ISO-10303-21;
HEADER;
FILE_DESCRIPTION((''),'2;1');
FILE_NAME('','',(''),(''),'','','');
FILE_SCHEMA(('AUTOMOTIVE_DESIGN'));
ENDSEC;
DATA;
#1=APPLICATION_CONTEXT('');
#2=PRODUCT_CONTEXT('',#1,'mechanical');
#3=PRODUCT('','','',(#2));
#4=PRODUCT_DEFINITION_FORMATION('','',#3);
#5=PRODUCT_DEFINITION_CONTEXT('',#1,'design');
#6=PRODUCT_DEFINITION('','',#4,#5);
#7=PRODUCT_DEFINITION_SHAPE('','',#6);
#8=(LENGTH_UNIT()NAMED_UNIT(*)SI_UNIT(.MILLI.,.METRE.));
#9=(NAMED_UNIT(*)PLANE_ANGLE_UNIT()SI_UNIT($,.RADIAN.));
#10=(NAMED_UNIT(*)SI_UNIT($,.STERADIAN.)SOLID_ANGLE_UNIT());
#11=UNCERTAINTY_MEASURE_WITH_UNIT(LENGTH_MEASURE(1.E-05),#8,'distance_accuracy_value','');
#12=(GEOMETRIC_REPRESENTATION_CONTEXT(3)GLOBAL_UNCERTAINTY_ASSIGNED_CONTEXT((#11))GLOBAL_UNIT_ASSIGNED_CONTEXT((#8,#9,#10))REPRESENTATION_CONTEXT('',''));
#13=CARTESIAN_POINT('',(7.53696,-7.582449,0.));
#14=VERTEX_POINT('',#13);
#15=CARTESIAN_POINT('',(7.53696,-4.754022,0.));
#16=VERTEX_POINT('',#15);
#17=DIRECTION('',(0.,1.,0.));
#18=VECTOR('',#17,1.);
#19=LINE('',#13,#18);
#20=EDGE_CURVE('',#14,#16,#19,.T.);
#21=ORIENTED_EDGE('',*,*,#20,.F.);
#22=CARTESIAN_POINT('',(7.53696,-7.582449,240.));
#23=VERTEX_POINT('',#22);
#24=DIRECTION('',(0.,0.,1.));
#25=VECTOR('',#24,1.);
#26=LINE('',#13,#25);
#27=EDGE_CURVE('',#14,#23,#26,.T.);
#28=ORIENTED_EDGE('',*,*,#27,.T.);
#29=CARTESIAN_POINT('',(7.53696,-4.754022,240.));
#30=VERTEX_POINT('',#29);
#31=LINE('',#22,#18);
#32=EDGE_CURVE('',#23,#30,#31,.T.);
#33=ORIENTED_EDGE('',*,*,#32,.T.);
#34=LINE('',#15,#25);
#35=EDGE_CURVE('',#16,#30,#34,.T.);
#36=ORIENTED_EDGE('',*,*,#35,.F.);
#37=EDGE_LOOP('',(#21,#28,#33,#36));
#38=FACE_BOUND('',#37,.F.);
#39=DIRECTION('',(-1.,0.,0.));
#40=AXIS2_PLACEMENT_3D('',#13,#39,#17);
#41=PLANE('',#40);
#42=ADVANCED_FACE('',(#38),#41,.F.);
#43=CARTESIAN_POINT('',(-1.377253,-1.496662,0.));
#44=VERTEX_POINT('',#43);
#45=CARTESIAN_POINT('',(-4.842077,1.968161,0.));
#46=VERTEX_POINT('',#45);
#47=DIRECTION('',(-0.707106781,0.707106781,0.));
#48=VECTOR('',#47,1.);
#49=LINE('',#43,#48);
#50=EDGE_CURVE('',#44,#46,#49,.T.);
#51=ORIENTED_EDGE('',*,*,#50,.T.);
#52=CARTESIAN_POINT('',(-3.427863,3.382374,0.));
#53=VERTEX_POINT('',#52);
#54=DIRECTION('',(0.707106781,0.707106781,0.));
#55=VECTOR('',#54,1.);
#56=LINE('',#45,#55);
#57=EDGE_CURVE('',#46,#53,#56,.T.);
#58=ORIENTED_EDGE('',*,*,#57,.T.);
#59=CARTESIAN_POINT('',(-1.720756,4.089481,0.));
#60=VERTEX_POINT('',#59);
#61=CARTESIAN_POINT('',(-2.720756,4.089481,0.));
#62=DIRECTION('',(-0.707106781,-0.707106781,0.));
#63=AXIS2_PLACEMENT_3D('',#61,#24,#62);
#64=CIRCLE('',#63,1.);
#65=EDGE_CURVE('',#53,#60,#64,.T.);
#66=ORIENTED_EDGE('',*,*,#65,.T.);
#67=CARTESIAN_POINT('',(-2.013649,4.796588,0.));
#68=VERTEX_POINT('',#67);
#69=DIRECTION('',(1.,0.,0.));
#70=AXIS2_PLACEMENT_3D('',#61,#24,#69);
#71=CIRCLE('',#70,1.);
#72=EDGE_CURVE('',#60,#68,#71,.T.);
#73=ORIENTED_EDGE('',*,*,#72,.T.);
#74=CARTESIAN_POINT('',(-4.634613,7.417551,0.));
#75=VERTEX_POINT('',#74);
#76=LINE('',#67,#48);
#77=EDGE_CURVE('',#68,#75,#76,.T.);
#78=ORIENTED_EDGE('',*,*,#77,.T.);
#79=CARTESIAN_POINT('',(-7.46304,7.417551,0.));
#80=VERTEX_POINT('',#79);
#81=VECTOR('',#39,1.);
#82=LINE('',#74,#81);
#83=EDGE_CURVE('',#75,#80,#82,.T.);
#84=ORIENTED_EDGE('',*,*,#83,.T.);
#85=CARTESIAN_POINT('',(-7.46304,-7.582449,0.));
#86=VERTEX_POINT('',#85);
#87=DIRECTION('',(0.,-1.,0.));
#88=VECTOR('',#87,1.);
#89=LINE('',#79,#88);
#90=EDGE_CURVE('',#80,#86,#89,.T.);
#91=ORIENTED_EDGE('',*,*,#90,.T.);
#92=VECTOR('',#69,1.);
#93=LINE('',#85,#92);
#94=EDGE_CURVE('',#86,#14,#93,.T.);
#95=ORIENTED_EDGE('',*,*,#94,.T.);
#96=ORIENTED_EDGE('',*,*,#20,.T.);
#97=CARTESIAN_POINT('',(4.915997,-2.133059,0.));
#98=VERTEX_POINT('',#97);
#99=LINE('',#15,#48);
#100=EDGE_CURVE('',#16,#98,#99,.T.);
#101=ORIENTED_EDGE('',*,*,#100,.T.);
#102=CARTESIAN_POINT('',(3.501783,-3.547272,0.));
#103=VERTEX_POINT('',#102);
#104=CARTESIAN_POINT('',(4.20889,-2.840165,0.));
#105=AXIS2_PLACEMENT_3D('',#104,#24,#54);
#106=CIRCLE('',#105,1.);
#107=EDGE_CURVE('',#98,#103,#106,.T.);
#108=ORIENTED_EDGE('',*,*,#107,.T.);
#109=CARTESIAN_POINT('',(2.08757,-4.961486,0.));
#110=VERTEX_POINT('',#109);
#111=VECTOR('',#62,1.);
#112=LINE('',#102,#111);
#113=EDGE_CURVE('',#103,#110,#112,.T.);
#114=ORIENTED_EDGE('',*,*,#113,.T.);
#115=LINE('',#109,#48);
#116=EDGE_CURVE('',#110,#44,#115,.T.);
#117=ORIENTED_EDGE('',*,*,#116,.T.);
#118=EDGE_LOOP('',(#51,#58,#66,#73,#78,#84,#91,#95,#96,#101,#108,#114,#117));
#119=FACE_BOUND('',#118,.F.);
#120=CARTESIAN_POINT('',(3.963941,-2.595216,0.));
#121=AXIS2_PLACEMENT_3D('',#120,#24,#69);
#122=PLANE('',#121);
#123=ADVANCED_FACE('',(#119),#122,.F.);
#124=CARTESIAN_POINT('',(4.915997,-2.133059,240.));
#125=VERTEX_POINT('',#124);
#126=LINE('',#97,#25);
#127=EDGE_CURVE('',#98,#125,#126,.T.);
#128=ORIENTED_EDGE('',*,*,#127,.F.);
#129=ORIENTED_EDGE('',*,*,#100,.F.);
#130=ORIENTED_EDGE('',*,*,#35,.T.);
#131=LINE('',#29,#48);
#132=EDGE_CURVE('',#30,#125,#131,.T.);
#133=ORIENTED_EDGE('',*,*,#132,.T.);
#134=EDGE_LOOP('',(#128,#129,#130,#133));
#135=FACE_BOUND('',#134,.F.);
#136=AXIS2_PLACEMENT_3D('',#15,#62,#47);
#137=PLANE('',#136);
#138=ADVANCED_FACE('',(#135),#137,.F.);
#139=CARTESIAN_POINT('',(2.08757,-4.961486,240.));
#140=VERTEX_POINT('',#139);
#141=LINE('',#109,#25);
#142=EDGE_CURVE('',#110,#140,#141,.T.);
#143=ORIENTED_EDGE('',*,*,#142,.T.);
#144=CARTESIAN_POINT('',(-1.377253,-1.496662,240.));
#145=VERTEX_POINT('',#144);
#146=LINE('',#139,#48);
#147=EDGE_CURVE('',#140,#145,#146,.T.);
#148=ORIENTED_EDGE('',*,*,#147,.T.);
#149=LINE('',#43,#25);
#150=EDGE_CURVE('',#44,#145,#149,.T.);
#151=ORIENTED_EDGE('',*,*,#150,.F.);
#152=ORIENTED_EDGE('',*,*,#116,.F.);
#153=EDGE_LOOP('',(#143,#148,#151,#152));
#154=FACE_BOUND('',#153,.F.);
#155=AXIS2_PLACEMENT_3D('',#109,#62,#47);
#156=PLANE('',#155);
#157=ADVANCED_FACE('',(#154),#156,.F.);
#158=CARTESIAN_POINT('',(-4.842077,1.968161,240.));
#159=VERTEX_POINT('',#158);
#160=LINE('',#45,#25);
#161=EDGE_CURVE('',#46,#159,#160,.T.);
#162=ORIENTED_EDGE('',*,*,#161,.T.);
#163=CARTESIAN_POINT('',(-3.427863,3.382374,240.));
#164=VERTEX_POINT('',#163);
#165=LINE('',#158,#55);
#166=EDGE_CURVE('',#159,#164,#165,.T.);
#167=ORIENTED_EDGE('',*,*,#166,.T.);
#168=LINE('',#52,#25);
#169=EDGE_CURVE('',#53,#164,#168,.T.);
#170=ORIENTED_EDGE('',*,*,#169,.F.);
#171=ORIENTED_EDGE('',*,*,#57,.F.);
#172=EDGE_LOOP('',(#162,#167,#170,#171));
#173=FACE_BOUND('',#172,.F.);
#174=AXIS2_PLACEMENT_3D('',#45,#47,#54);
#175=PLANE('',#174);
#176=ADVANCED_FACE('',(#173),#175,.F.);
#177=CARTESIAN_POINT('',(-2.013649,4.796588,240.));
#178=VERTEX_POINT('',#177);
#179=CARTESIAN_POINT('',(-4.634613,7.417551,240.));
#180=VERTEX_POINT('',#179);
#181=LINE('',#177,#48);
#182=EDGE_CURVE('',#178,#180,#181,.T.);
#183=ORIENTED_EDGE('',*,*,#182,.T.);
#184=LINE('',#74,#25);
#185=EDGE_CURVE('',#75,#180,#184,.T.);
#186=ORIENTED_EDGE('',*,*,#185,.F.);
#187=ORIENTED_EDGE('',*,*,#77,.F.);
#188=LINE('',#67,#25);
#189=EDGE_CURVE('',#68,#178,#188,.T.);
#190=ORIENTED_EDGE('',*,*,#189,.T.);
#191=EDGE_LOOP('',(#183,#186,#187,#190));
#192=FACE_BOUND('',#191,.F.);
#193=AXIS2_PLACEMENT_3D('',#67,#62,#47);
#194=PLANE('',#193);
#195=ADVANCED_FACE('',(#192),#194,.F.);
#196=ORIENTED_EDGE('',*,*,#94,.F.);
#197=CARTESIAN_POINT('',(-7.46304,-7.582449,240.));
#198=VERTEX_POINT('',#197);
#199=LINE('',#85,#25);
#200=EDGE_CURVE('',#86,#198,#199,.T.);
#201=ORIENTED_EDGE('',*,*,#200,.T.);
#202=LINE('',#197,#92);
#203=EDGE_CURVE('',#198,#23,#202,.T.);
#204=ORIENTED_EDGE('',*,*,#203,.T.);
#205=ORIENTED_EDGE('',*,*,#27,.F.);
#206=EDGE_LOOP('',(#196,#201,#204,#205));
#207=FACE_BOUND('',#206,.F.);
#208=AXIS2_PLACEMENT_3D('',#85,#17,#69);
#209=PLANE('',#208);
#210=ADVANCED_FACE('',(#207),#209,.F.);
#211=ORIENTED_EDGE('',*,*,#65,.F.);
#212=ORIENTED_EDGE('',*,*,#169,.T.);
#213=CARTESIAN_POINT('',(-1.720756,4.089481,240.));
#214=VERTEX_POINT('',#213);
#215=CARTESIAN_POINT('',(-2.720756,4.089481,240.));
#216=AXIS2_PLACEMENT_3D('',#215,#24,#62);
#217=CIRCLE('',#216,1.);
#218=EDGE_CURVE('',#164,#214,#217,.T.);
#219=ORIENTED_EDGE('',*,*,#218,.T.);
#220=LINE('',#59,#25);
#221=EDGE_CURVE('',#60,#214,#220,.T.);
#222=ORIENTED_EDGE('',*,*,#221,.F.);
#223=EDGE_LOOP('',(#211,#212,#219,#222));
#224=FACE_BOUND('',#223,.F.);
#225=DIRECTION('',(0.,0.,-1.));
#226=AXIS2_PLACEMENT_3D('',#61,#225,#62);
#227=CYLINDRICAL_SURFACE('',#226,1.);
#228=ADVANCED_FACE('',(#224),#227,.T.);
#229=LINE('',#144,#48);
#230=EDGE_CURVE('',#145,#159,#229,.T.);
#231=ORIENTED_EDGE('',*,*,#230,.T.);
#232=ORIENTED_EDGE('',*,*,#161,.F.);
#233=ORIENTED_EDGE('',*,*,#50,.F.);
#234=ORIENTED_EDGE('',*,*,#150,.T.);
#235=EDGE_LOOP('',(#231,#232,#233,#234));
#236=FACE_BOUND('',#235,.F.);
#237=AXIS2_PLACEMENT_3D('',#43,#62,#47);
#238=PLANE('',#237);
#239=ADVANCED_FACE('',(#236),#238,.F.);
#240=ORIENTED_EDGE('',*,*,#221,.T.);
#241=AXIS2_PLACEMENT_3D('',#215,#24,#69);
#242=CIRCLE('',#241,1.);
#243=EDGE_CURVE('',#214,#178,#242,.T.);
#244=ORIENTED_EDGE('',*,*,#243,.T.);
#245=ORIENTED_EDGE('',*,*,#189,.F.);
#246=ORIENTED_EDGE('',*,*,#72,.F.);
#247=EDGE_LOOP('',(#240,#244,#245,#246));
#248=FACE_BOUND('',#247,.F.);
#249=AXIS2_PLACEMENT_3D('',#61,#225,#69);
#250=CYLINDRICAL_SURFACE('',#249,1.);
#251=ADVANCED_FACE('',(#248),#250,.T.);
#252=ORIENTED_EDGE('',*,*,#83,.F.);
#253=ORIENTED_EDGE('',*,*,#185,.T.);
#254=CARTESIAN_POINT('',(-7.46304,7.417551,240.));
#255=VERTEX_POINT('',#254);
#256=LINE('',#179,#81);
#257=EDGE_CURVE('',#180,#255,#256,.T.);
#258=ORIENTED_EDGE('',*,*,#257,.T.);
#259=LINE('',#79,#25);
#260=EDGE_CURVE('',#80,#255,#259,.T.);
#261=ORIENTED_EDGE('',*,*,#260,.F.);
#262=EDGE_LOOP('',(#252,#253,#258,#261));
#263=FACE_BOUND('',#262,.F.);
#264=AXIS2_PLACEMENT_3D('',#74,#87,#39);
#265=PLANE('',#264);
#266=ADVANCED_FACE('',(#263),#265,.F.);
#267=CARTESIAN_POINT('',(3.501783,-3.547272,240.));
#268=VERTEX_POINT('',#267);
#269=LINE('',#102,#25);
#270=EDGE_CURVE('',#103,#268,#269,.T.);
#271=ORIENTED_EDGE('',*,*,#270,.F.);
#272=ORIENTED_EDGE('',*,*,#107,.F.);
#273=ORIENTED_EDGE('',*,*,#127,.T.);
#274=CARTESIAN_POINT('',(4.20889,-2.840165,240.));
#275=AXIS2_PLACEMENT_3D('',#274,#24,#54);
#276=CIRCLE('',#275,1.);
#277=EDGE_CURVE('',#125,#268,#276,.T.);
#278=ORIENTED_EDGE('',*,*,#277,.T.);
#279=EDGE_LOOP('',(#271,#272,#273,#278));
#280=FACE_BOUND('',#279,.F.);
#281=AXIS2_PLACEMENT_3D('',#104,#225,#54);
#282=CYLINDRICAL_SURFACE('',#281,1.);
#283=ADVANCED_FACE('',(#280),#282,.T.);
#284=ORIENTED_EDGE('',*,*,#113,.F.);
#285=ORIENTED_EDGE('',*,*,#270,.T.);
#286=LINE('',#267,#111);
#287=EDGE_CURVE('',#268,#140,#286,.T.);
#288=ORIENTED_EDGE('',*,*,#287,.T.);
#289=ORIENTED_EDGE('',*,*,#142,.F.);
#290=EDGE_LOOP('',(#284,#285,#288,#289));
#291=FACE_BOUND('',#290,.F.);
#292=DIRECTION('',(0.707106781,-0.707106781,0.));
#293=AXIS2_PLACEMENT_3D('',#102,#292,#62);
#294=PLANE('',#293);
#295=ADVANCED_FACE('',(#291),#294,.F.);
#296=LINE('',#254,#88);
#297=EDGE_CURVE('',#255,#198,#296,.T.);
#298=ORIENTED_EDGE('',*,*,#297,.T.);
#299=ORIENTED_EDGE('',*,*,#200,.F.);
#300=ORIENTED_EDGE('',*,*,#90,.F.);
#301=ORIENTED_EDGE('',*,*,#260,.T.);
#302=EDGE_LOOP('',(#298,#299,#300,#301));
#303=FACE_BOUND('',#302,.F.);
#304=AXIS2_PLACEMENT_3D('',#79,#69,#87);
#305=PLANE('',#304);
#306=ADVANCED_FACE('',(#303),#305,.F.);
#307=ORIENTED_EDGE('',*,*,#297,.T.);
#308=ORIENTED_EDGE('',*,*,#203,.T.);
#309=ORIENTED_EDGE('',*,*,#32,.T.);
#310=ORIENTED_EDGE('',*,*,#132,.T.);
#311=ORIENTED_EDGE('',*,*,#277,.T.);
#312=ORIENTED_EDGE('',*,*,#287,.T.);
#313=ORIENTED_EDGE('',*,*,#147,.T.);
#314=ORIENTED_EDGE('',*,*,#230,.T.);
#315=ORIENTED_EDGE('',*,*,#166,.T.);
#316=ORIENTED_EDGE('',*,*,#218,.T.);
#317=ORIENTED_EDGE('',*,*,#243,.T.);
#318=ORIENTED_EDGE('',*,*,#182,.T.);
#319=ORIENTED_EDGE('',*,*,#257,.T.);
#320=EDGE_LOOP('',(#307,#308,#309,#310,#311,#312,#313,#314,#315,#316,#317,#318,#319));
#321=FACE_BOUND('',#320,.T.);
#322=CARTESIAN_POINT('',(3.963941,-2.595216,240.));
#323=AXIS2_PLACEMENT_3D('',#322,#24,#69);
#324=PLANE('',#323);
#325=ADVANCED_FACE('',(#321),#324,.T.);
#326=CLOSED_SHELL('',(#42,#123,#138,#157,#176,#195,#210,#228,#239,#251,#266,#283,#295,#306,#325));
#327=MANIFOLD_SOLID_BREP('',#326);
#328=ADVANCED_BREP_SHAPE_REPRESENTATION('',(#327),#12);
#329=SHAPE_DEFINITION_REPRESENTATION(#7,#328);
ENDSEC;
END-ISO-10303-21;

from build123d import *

# Parameters (mm, degrees)
F1_DEPTH = 240


with BuildPart() as f1:
    # F0 (on Top) → F1 (new body)
    with BuildSketch(Plane.XY):
        with BuildLine():
            ThreePointArc((4.9159969599, -2.133058554), (3.5017833975, -2.133058554), (3.5017833975, -3.5472721164))
            Line((3.5017833975, -3.5472721164), (4.9159969599, -2.133058554))
        make_face()
        with BuildLine():
            Line((3.5017833975, -3.5472721164), (7.5369601697, -7.5824488886))
            Line((7.5369601697, -7.5824488886), (7.5369601697, -4.7540217638))
            Line((7.5369601697, -4.7540217638), (4.9159969599, -2.133058554))
            ThreePointArc((4.9159969599, -2.133058554), (5.1327697112, -2.4574819028), (5.2088901787, -2.8401653352))
            ThreePointArc((5.2088901787, -2.8401653352), (4.591573611, -3.7640448677), (3.5017833975, -3.5472721164))
        make_face()
        with BuildLine():
            Line((4.9159969599, -2.133058554), (3.5017833975, -3.5472721164))
            ThreePointArc((3.5017833975, -3.5472721164), (4.591573611, -3.7640448677), (5.2088901787, -2.8401653352))
            ThreePointArc((5.2088901787, -2.8401653352), (5.1327697112, -2.4574819028), (4.9159969599, -2.133058554))
        make_face()
        Polygon((2.0875698351, -4.9614856788), (4.7085330449, -7.5824488886), (7.5369601697, -7.5824488886), (3.5017833975, -3.5472721164), align=None)
        Polygon((2.0875698351, -4.9614856788), (-0.5333933747, -7.5824488886), (4.7085330449, -7.5824488886), align=None)
        Polygon((-1.3772533927, -1.4966624509), (-7.4630398303, -7.5824488886), (-0.5333933747, -7.5824488886), (2.0875698351, -4.9614856788), align=None)
        with BuildLine():
            Line((-2.0136494958, 4.7965879016), (-3.4278630581, 3.3823743392))
            ThreePointArc((-3.4278630581, 3.3823743392), (-2.3380728446, 3.1656015879), (-1.720756277, 4.0894811204))
            ThreePointArc((-1.720756277, 4.0894811204), (-1.7968767444, 4.4721645528), (-2.0136494958, 4.7965879016))
        make_face()
        with BuildLine():
            ThreePointArc((-2.0136494958, 4.7965879016), (-3.4278630581, 4.7965879016), (-3.4278630581, 3.3823743392))
            Line((-3.4278630581, 3.3823743392), (-2.0136494958, 4.7965879016))
        make_face()
        Polygon((-7.4630398303, 7.4175511114), (-7.4630398303, 4.5891239867), (-4.8420766205, 1.9681607769), (-3.4278630581, 3.3823743392), align=None)
        Polygon((-7.4630398303, 4.5891239867), (-7.4630398303, -0.6528024329), (-4.8420766205, 1.9681607769), align=None)
        Polygon((-7.4630398303, -0.6528024329), (-7.4630398303, -7.5824488886), (-1.3772533927, -1.4966624509), (-4.8420766205, 1.9681607769), align=None)
        with BuildLine():
            Line((-4.6346127056, 7.4175511114), (-7.4630398303, 7.4175511114))
            Line((-7.4630398303, 7.4175511114), (-3.4278630581, 3.3823743392))
            ThreePointArc((-3.4278630581, 3.3823743392), (-3.4278630581, 4.7965879016), (-2.0136494958, 4.7965879016))
            Line((-2.0136494958, 4.7965879016), (-4.6346127056, 7.4175511114))
        make_face()
    extrude(amount=F1_DEPTH)


solid = f1.part
